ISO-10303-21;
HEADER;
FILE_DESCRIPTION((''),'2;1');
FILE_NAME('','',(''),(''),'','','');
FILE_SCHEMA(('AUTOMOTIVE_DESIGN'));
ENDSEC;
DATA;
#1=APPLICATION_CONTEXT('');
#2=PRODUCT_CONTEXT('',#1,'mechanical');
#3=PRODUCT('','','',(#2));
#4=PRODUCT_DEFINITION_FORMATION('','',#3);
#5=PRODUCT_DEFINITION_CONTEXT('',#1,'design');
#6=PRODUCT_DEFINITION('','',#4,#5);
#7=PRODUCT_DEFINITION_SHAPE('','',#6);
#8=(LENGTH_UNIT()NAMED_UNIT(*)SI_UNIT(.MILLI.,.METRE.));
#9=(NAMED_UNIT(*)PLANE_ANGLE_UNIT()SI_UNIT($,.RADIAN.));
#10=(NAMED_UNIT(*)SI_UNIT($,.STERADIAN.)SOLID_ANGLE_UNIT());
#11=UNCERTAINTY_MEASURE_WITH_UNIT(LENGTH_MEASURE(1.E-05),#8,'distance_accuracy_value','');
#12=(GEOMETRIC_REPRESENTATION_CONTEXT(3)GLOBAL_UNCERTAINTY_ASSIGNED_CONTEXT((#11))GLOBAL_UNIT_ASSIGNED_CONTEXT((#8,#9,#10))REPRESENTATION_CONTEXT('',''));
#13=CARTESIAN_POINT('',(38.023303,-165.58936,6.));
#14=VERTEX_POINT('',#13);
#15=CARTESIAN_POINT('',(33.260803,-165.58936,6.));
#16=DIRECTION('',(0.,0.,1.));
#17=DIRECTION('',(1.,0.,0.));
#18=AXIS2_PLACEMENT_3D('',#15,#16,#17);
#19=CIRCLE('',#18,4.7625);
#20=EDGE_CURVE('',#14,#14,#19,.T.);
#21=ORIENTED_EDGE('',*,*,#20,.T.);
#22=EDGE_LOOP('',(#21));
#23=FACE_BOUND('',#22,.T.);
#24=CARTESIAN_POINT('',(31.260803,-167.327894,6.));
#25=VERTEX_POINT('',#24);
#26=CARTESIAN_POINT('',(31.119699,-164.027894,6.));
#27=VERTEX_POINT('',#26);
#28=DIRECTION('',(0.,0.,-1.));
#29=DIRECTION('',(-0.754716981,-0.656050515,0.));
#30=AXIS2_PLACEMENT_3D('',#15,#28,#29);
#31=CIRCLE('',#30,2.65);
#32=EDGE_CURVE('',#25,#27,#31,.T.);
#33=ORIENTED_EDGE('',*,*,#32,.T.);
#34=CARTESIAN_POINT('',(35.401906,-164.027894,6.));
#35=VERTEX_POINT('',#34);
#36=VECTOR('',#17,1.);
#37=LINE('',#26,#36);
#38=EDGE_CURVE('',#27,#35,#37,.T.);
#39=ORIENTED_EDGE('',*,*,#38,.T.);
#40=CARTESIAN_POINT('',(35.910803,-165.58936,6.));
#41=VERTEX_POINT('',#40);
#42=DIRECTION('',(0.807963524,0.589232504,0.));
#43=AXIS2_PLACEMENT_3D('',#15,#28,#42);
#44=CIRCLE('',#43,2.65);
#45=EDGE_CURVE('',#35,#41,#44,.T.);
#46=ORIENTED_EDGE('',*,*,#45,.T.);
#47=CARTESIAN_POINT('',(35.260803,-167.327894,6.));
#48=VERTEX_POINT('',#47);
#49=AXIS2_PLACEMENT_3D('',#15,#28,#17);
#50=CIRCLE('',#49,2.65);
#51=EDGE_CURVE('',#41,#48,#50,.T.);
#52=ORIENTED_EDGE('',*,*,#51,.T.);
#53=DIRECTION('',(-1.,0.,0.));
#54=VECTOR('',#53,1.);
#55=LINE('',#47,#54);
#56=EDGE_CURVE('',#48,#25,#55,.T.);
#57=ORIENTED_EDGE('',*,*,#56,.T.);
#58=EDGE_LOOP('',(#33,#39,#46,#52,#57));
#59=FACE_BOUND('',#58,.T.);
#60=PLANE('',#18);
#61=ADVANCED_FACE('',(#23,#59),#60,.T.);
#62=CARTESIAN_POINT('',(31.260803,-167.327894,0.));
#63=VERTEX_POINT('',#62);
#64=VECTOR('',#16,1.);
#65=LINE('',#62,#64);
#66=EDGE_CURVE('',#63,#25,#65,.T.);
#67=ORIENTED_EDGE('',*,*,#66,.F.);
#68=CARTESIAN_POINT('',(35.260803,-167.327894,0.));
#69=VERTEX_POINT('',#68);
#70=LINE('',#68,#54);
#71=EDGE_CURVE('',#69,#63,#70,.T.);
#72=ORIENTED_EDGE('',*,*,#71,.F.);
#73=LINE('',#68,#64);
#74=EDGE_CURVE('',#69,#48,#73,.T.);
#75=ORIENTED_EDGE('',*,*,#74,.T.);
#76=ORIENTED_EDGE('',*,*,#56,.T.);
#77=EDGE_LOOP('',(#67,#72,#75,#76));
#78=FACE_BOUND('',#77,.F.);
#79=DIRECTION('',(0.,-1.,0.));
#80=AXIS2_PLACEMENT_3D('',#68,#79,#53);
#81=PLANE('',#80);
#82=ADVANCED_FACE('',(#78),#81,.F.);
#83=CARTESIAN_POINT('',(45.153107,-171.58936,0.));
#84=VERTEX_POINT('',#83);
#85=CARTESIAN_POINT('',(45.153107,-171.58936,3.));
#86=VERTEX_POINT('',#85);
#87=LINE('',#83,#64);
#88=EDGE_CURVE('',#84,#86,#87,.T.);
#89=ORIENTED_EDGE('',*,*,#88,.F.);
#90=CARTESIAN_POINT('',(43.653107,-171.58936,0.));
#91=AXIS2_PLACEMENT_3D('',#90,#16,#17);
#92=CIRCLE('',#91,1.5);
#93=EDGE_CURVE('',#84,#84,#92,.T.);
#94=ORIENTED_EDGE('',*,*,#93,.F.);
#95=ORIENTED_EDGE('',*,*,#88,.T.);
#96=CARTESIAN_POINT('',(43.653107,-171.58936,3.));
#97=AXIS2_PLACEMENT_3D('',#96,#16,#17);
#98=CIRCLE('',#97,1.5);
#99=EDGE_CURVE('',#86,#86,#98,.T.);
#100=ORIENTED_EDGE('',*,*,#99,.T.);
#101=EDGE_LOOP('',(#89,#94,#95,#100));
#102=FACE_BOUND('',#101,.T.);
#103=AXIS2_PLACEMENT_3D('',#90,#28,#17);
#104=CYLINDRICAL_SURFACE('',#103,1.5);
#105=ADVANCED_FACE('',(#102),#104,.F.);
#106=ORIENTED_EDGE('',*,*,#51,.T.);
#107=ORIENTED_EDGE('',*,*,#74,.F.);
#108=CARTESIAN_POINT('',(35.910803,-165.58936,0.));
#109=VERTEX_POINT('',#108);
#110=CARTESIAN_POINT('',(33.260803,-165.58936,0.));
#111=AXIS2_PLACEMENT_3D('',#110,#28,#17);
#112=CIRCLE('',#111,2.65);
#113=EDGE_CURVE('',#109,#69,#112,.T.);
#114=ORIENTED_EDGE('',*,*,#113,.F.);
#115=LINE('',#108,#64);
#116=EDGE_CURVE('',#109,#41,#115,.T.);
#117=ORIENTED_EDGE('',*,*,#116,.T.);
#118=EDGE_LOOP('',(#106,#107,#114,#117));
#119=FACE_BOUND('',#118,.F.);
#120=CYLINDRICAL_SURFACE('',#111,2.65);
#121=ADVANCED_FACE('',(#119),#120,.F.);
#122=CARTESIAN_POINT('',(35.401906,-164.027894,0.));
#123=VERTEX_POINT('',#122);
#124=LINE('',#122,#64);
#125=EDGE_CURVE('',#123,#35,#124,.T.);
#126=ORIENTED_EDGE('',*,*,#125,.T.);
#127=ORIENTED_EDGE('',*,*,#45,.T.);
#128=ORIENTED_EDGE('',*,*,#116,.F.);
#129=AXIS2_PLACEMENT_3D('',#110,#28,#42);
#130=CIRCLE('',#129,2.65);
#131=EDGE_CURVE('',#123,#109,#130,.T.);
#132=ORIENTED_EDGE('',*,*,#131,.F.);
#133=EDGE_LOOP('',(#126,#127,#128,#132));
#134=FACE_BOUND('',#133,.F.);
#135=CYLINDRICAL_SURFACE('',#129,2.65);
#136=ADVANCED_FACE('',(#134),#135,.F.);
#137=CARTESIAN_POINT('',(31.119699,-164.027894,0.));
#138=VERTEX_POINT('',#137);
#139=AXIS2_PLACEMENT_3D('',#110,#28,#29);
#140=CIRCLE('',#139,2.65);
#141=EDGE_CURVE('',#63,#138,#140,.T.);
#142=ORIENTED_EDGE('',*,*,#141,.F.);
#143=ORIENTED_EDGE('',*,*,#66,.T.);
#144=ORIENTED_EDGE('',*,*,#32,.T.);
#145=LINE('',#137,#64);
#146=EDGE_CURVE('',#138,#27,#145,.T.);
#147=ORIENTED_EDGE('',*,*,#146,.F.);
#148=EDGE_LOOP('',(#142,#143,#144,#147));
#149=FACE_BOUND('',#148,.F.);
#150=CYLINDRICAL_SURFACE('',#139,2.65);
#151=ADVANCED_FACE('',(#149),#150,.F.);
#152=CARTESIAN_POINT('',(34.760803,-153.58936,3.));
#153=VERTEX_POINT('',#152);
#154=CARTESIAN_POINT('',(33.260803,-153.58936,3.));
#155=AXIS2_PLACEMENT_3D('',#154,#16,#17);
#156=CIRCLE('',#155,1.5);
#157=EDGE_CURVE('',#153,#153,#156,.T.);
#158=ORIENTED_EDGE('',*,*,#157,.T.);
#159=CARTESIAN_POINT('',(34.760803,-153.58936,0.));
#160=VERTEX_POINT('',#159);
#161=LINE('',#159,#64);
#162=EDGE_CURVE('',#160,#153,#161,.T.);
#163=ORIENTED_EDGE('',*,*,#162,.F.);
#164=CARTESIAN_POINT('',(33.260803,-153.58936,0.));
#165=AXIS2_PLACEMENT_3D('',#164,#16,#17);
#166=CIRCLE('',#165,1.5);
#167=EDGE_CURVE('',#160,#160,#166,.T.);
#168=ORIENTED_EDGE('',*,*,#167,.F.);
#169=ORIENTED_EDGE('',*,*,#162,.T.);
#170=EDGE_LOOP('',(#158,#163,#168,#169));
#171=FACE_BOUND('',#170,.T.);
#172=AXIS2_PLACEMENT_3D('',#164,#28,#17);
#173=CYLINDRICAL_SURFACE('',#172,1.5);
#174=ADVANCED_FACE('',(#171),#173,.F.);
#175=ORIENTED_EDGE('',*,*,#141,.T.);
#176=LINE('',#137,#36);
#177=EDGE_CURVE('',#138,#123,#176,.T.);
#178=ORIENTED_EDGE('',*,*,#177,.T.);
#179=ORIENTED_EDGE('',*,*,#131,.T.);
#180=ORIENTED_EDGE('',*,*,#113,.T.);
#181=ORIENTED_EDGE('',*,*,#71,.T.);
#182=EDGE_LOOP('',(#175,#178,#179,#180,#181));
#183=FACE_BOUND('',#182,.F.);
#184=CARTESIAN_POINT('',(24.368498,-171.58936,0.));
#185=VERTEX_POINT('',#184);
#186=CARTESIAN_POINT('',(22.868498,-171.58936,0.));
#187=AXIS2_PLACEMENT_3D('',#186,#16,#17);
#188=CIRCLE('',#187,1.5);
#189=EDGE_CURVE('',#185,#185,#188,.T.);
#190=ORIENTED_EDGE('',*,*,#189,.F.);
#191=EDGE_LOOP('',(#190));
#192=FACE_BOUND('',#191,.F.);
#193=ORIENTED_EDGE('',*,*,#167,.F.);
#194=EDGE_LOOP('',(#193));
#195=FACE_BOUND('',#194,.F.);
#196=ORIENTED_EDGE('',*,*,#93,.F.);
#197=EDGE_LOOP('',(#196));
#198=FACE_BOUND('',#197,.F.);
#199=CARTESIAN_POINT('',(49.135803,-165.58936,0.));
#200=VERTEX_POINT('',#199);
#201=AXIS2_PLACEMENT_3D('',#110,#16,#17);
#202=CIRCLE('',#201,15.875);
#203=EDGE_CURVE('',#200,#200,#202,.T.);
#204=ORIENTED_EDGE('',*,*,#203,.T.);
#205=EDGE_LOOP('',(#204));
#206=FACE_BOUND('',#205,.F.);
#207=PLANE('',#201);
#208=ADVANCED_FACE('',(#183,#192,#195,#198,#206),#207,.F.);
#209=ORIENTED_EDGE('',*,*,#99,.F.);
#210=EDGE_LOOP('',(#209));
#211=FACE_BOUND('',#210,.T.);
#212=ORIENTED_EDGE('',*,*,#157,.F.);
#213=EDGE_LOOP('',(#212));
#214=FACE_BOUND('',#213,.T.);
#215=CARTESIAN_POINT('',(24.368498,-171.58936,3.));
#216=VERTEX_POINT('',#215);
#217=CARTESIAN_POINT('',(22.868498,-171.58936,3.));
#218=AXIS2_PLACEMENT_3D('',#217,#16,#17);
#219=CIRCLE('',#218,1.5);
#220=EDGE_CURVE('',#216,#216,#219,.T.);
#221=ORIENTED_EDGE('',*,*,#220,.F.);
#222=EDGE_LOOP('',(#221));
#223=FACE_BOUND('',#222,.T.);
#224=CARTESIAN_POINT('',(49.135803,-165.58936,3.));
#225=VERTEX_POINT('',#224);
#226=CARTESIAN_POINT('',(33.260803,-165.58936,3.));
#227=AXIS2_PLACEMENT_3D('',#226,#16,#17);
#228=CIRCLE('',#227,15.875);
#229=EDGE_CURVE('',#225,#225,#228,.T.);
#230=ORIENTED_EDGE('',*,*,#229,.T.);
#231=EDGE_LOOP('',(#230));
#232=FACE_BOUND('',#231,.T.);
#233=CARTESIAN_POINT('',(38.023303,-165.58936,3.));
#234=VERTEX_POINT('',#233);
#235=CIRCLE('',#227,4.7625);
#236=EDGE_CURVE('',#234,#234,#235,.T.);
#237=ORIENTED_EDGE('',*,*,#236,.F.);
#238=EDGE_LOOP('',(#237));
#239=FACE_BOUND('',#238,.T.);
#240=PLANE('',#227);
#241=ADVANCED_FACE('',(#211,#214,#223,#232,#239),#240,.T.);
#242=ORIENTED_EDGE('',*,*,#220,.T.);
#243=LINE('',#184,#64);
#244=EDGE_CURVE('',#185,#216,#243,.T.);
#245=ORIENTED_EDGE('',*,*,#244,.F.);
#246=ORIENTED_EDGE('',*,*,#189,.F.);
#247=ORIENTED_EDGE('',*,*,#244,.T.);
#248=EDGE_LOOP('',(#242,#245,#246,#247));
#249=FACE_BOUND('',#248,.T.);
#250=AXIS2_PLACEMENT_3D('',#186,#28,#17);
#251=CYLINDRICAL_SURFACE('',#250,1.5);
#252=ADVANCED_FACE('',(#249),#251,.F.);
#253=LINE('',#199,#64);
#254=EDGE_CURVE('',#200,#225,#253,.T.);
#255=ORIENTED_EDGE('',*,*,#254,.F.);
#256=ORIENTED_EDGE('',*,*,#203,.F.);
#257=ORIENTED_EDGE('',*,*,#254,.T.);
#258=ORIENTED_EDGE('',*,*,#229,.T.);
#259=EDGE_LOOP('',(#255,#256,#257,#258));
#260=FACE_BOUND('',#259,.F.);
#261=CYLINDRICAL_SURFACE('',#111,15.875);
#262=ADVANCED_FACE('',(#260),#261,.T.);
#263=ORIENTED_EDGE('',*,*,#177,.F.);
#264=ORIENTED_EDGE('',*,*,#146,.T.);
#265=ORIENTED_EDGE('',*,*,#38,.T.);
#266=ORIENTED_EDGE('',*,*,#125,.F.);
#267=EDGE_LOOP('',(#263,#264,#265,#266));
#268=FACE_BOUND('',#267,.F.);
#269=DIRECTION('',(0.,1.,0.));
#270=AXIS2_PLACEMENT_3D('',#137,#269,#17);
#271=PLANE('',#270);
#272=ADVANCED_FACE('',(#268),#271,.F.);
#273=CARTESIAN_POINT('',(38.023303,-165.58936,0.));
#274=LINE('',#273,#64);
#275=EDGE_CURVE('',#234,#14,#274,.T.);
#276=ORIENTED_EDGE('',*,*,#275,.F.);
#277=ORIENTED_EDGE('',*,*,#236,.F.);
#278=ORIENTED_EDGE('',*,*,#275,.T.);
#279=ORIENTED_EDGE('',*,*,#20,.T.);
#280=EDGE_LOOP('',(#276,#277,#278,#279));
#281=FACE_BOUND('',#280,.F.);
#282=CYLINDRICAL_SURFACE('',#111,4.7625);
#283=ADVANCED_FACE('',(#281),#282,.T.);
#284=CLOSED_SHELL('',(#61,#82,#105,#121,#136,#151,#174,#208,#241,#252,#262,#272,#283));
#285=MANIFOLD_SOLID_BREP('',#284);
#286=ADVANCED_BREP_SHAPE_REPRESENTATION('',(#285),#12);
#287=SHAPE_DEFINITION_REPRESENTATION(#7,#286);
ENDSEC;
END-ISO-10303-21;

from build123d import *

# Parameters (mm, degrees)
F1_R     = 4.7625
F2_DEPTH = 6
F1_R_2   = 15.875
F1_R_3   = 1.5
F3_DEPTH = 3


with BuildPart() as f2:
    # F1 (on Top) → F2 (new body)
    with BuildSketch(Plane.XY):
        with Locations((33.2608025707, -165.5893599715)):
            Circle(F1_R)
        with BuildLine():
            ThreePointArc((35.2608025707, -167.3278938366), (33.2608025707, -168.2393599715), (31.2608025707, -167.3278938366))
            ThreePointArc((31.2608025707, -167.3278938366), (30.6132217472, -165.7025667882), (31.1196992314, -164.0278938366))
            ThreePointArc((31.1196992314, -164.0278938366), (33.2608025707, -162.9393599715), (35.4019059099, -164.0278938366))
            ThreePointArc((35.4019059099, -164.0278938366), (35.7803683913, -164.768209513), (35.9108025707, -165.5893599715))
            ThreePointArc((35.9108025707, -165.5893599715), (35.7429891068, -166.5173955312), (35.2608025707, -167.3278938366))
        make_face(mode=Mode.SUBTRACT)
        with BuildLine():
            ThreePointArc((35.4019059099, -164.0278938366), (33.2608025707, -162.9393599715), (31.1196992314, -164.0278938366))
            Line((31.1196992314, -164.0278938366), (35.4019059099, -164.0278938366))
        make_face()
        with BuildLine():
            Line((35.2608025707, -167.3278938366), (31.2608025707, -167.3278938366))
            ThreePointArc((31.2608025707, -167.3278938366), (33.2608025707, -168.2393599715), (35.2608025707, -167.3278938366))
        make_face()
    extrude(amount=F2_DEPTH)

    # F1 (on Top) → F3 (join)
    with BuildSketch(Plane.XY):
        with Locations((33.2608025707, -165.5893599715)):
            Circle(F1_R_2)
        with Locations((22.8684977253, -171.5893599715)):
            Circle(F1_R_3, mode=Mode.SUBTRACT)
        with Locations((43.6531074161, -171.5893599715)):
            Circle(F1_R_3, mode=Mode.SUBTRACT)
        with Locations((33.2608025707, -165.5893599715)):
            Circle(F1_R, mode=Mode.SUBTRACT)
        with Locations((33.2608025707, -153.5893599715)):
            Circle(F1_R_3, mode=Mode.SUBTRACT)
    extrude(amount=F3_DEPTH)


solid = f2.part
